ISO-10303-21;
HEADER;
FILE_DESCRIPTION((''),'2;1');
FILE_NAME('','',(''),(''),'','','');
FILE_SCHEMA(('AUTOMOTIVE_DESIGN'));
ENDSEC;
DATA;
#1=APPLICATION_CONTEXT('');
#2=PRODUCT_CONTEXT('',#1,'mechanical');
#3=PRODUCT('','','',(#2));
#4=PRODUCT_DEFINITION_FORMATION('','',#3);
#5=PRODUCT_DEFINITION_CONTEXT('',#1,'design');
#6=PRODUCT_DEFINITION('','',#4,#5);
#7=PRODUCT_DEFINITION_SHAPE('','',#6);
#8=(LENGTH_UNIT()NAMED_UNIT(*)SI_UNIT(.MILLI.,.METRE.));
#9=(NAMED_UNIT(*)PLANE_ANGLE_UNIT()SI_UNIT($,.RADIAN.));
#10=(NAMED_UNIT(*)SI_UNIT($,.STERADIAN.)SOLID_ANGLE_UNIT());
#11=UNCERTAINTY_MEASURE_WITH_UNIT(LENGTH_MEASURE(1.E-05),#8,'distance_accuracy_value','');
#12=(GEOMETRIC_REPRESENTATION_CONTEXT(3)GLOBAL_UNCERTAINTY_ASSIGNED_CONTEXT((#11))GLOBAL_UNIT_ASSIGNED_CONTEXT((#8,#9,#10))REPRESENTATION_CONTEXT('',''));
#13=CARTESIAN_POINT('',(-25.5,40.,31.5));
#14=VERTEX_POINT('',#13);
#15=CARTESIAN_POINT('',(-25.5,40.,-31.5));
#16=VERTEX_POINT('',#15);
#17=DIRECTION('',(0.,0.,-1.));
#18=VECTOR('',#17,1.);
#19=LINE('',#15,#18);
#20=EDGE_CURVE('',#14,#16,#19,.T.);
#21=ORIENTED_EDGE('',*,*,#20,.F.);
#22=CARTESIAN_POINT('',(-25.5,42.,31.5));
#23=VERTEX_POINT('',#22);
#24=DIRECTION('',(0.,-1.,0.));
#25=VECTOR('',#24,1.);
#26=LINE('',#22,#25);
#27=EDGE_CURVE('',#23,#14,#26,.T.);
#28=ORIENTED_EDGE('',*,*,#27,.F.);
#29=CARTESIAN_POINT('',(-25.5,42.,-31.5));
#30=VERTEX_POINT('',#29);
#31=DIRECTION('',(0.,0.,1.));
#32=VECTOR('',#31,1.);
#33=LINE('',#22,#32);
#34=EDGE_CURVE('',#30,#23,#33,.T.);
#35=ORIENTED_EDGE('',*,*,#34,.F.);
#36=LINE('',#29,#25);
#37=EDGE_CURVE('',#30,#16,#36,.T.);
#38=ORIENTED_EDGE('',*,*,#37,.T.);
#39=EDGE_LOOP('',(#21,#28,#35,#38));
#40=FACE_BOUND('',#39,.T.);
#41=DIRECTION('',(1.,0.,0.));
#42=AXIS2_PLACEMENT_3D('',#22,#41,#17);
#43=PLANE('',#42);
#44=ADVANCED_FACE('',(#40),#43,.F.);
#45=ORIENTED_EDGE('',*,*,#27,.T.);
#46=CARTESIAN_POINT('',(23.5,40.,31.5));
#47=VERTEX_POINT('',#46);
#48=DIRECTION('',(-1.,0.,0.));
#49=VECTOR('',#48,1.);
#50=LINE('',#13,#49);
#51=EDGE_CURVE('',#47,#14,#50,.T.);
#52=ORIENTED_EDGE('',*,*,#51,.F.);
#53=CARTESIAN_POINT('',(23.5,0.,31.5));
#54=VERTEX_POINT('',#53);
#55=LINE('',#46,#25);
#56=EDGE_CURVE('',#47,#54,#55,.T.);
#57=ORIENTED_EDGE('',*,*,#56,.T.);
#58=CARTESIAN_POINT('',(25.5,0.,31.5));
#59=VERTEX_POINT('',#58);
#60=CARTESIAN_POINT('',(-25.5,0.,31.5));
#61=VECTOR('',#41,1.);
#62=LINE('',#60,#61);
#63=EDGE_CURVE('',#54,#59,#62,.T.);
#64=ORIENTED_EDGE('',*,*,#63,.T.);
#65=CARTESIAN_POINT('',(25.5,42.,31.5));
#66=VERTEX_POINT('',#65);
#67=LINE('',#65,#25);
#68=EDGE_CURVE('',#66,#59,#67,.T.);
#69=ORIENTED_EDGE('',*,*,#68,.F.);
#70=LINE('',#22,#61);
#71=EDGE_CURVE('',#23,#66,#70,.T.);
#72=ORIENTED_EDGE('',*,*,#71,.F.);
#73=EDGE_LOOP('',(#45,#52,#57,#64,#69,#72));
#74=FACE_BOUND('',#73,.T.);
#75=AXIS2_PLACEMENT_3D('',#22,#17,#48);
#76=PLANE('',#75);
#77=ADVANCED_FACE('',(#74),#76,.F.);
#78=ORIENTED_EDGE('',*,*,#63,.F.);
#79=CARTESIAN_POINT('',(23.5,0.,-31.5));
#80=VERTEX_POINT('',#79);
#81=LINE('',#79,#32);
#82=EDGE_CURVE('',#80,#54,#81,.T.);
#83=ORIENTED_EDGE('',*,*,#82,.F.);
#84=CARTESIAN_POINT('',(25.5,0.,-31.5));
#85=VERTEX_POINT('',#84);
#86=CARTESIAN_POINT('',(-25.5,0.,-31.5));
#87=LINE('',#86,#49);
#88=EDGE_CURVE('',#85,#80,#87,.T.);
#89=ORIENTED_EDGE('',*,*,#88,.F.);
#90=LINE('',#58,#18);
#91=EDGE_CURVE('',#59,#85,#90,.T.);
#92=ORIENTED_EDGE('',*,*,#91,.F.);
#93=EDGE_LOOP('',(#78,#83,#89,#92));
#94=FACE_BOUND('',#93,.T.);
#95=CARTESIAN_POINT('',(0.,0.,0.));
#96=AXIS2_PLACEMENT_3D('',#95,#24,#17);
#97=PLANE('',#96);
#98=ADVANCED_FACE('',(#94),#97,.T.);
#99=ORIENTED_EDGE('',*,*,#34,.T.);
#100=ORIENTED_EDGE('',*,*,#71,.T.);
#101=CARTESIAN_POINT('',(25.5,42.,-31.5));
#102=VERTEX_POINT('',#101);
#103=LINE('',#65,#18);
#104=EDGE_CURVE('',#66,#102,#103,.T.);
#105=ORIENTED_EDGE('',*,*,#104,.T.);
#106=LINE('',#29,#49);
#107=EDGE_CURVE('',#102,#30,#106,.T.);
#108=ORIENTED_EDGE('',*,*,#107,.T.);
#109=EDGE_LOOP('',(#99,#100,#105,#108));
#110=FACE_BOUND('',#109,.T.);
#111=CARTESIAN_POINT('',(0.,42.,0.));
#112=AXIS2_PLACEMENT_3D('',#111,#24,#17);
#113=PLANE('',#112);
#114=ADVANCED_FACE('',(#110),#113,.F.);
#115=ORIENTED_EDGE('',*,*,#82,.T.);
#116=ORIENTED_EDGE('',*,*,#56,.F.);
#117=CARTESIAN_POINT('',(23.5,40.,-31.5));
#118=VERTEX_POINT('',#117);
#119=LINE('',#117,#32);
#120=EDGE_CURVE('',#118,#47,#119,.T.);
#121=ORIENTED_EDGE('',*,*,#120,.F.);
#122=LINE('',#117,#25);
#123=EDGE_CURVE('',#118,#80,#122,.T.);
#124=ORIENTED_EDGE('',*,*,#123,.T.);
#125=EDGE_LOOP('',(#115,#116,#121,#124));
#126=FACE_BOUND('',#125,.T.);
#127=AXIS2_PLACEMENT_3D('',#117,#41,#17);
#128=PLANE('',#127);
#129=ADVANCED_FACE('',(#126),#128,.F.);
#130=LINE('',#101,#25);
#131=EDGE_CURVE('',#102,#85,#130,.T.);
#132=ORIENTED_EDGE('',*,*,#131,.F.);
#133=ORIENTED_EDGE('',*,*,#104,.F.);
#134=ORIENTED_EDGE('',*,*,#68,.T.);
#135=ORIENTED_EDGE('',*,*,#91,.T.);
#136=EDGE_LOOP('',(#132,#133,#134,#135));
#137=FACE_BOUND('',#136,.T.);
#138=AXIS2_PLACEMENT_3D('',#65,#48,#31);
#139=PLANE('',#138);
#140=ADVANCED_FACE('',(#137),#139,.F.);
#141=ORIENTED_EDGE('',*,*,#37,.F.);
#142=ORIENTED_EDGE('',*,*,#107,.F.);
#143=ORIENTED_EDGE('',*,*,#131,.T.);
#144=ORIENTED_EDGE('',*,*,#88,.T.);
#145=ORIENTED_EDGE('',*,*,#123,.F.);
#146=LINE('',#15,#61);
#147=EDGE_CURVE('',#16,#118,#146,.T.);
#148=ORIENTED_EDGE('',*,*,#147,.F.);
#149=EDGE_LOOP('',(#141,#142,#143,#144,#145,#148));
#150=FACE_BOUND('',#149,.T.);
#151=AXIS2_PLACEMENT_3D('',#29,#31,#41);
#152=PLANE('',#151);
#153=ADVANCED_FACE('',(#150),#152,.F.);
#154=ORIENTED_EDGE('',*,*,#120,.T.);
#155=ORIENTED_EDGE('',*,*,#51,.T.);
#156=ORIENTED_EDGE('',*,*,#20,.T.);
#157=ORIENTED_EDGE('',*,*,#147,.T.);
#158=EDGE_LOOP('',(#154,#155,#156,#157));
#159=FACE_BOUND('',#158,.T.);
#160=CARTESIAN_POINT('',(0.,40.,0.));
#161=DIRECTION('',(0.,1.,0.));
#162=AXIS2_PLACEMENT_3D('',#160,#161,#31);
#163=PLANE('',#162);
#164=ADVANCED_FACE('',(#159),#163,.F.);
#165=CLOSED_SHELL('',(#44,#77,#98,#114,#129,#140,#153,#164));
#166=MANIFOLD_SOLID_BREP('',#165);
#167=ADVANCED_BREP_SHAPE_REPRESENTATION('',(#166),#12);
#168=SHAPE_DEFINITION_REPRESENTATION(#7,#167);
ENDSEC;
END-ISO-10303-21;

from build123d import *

# Parameters (mm, degrees)
SKETCH1_W           = 51
SKETCH1_H           = 63
BOSS_EXTRUDE1_DEPTH = 42
SKETCH3_W           = 49
SKETCH3_H           = 63
CUT_EXTRUDE2_DEPTH  = 40


with BuildPart() as part:
    # Sketch1 → Boss-Extrude1 (new body)
    with BuildSketch(Plane(origin=(0, 0, 0), x_dir=(1, 0, 0), z_dir=(0, 1, 0))):
        Rectangle(SKETCH1_W, SKETCH1_H)
    extrude(amount=BOSS_EXTRUDE1_DEPTH)

    # Sketch3 → Cut-Extrude2 (cut)
    with BuildSketch(Plane(origin=(0, 0, 0), x_dir=(-1, 0, 0), z_dir=(0, -1, 0))):
        with Locations((1, 0)):
            Rectangle(SKETCH3_W, SKETCH3_H)
    extrude(amount=-CUT_EXTRUDE2_DEPTH, mode=Mode.SUBTRACT)


solid = part.part
